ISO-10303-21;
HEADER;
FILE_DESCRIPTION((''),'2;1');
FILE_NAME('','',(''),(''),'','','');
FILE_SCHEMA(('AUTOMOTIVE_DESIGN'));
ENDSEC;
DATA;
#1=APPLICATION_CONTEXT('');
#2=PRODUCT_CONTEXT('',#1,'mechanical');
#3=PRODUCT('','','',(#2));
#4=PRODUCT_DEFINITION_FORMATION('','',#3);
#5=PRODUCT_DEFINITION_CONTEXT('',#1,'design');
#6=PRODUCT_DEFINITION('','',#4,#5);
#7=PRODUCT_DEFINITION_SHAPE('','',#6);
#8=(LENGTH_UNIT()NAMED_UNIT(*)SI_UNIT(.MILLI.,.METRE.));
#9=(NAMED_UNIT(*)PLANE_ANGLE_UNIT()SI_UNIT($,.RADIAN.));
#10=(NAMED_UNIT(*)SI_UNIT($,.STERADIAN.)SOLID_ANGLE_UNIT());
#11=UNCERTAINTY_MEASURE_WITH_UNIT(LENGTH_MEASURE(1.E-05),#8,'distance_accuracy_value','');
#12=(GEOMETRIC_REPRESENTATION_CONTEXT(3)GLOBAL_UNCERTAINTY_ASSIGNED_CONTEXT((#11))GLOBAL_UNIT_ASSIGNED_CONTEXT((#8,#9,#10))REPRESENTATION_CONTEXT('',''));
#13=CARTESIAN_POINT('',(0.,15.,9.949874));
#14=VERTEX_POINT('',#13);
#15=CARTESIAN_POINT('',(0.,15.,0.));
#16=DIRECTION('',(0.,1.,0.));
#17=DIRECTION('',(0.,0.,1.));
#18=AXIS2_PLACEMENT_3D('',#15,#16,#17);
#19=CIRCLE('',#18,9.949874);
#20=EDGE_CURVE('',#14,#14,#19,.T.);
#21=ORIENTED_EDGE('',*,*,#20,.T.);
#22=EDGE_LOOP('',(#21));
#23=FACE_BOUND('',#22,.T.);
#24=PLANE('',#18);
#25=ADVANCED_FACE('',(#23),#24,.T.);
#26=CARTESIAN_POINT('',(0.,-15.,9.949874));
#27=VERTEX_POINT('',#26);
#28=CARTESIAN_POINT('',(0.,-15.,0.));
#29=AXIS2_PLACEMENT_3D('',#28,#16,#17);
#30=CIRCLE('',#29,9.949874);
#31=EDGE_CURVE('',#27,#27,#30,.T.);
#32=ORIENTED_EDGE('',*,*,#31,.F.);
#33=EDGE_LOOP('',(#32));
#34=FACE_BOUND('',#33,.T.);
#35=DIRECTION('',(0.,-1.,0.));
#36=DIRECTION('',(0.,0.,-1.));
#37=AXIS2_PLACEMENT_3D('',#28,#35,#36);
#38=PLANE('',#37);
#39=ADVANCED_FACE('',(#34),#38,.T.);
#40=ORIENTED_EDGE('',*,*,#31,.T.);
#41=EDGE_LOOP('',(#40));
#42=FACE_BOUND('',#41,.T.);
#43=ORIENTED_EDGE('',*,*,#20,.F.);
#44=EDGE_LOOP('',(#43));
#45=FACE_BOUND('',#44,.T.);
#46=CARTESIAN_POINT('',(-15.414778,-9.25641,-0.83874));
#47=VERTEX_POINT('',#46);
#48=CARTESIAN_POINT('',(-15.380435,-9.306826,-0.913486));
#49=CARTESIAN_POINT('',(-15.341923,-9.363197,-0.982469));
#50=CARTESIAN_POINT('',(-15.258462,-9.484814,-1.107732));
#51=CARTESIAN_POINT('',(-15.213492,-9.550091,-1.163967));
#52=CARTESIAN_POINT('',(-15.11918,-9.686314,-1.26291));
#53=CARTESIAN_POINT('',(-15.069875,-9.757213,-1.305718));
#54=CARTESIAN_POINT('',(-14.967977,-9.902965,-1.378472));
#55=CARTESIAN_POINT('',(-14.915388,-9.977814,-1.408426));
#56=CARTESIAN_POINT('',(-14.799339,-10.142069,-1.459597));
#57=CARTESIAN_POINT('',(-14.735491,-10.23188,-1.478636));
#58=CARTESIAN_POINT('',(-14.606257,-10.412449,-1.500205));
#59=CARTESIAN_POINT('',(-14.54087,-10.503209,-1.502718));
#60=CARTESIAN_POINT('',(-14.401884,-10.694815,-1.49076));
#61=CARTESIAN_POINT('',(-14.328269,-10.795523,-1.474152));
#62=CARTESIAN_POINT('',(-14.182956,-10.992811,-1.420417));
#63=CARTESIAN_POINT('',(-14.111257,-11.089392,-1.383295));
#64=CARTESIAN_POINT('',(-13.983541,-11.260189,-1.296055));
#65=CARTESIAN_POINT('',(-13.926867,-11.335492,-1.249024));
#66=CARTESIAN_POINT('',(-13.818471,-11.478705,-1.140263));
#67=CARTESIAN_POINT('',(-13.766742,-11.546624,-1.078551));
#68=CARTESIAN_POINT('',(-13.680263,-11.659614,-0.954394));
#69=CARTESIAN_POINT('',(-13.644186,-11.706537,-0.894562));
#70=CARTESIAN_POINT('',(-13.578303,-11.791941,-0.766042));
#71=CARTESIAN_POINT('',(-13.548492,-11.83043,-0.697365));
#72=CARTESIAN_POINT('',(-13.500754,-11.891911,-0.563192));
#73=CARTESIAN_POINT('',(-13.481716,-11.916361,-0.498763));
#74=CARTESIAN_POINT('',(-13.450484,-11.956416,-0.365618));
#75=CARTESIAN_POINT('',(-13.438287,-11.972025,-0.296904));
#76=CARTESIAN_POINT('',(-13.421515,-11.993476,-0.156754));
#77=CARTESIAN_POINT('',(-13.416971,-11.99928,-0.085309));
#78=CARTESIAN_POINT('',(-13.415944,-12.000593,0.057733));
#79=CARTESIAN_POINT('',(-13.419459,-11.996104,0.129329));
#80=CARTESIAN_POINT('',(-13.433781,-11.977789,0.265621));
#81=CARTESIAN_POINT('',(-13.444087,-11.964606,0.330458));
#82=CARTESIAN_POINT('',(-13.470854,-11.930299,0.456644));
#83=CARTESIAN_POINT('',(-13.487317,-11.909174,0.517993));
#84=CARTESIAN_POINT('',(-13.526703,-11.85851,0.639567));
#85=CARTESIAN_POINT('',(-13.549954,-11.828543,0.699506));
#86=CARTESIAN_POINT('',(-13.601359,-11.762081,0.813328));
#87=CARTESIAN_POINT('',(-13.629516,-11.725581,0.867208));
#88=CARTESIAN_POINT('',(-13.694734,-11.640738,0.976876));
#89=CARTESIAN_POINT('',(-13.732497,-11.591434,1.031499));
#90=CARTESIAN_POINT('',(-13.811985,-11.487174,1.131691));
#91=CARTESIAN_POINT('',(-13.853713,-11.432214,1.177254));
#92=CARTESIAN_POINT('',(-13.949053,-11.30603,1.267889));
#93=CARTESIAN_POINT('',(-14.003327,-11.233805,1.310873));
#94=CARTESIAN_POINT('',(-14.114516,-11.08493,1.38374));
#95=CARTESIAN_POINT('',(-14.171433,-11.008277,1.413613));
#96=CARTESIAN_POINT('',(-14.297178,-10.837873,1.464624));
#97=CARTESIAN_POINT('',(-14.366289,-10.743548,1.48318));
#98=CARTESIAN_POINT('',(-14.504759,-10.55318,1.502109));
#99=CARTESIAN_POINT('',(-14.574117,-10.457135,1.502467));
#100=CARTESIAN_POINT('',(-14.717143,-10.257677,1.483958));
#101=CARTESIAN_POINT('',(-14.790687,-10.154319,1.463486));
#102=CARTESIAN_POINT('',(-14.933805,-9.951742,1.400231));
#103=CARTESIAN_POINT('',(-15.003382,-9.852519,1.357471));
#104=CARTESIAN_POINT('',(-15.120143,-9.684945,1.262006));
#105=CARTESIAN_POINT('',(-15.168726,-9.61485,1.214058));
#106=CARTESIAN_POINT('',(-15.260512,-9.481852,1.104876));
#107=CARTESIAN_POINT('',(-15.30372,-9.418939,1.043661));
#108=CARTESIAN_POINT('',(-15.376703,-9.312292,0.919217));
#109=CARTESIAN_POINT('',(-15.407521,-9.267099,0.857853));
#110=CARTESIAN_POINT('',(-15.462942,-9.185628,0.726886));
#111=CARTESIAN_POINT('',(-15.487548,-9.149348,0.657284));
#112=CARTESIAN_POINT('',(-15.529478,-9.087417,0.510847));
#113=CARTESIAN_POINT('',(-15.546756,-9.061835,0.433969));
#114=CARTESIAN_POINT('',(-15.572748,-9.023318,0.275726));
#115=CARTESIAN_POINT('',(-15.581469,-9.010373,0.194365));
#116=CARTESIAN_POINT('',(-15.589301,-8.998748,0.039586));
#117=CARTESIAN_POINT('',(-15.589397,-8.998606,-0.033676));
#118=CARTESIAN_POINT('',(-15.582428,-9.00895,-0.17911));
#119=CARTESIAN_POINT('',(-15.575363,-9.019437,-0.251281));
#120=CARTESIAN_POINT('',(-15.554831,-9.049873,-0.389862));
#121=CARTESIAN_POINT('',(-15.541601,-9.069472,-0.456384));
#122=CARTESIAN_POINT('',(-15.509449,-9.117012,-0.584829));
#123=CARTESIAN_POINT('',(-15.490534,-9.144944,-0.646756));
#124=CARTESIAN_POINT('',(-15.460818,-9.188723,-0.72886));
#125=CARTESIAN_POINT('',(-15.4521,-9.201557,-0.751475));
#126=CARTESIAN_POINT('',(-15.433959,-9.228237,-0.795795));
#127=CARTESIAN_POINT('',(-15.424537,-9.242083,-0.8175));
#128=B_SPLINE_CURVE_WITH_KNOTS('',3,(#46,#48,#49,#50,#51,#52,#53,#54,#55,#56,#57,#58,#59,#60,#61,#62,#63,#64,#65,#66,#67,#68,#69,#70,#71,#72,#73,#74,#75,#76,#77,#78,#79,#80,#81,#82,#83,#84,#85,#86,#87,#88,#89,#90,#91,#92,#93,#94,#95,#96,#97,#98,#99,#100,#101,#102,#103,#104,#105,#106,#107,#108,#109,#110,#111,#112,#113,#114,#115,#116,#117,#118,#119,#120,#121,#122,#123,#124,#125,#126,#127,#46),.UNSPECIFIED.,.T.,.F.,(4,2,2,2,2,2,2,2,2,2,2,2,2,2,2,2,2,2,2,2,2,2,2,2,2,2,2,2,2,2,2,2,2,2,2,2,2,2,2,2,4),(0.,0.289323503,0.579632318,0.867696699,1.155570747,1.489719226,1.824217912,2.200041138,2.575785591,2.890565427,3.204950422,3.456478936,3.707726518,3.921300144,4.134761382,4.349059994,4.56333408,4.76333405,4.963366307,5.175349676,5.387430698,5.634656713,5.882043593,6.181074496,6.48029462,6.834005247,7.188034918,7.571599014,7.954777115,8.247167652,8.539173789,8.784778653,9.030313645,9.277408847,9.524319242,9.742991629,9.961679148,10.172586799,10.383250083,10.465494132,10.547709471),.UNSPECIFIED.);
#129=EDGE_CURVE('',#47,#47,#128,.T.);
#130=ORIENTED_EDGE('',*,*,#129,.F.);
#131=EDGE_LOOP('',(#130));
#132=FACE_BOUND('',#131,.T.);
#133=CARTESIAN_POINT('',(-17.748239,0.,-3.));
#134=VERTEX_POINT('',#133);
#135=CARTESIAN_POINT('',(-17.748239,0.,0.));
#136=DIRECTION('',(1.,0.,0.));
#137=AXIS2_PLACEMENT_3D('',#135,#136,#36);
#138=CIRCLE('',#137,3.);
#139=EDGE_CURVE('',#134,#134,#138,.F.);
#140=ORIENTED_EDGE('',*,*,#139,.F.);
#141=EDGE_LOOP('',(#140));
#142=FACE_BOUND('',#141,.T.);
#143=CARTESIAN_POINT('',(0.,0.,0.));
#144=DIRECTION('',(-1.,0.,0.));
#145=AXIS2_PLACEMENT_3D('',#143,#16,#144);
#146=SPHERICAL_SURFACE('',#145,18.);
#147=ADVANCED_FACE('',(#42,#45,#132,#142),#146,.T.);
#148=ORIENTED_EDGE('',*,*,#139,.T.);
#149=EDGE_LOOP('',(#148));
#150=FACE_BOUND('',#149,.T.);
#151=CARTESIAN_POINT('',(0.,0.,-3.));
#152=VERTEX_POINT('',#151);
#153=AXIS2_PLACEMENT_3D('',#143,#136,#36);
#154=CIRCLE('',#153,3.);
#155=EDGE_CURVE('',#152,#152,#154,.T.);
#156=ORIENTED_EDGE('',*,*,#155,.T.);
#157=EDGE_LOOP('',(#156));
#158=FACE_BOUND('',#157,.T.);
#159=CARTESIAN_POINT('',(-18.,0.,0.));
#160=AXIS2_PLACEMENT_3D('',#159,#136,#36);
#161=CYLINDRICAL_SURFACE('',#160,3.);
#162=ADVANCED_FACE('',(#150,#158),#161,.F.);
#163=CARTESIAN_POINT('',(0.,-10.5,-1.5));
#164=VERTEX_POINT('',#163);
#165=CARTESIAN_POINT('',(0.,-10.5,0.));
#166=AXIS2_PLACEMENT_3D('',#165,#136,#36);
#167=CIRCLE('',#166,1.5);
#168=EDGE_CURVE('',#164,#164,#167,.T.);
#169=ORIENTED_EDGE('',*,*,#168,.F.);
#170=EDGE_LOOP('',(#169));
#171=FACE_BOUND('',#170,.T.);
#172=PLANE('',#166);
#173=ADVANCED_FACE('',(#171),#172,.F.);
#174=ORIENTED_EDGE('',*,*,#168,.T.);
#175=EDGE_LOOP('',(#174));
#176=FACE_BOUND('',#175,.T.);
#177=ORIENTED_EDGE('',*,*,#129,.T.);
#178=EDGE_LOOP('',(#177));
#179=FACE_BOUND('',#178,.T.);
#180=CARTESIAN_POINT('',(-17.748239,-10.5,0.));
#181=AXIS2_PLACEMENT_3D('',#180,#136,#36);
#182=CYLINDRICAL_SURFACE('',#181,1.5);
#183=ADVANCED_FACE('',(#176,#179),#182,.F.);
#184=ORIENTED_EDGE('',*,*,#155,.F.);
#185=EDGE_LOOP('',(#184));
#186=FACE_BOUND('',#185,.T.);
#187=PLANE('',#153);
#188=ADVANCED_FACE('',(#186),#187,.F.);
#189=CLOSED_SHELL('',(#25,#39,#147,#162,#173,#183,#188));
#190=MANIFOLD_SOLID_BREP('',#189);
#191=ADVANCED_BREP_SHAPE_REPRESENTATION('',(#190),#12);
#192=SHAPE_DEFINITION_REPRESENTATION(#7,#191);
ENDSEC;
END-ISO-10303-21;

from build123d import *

# Parameters (mm, degrees)
ESQUISSE2_R             = 3
ENL_V_MAT_EXTRU_1_DEPTH = 30.546573405
ESQUISSE3_R             = 1.5
ENL_V_MAT_EXTRU_2_DEPTH = 30.54657341


with BuildPart() as part:
    # Esquisse1 → Révolution1 (revolve)
    with BuildSketch(Plane.XY):
        with BuildLine():
            Line((0, 15), (0, -15))
            Line((0, -15), (-9.949874371, -15))
            ThreePointArc((-9.949874371, -15), (-18, 0), (-9.949874371, 15))
            Line((-9.949874371, 15), (0, 15))
        make_face()
    revolve(axis=Axis((0, 15, 0), (0, -1, 0)))

    # Esquisse2 → Enlèv. mat.-Extru.1 (cut, through all)
    with BuildSketch(Plane(origin=(0, 0, 0), x_dir=(0, 0, -1), z_dir=(1, 0, 0))):
        Circle(ESQUISSE2_R)
    extrude(amount=-ENL_V_MAT_EXTRU_1_DEPTH, mode=Mode.SUBTRACT)

    # Esquisse3 → Enlèv. mat.-Extru.2 (cut, through all)
    with BuildSketch(Plane(origin=(0, 0, 0), x_dir=(0, 0, -1), z_dir=(1, 0, 0))):
        with Locations((0, -10.5)):
            Circle(ESQUISSE3_R)
    extrude(amount=-ENL_V_MAT_EXTRU_2_DEPTH, mode=Mode.SUBTRACT)


solid = part.part
